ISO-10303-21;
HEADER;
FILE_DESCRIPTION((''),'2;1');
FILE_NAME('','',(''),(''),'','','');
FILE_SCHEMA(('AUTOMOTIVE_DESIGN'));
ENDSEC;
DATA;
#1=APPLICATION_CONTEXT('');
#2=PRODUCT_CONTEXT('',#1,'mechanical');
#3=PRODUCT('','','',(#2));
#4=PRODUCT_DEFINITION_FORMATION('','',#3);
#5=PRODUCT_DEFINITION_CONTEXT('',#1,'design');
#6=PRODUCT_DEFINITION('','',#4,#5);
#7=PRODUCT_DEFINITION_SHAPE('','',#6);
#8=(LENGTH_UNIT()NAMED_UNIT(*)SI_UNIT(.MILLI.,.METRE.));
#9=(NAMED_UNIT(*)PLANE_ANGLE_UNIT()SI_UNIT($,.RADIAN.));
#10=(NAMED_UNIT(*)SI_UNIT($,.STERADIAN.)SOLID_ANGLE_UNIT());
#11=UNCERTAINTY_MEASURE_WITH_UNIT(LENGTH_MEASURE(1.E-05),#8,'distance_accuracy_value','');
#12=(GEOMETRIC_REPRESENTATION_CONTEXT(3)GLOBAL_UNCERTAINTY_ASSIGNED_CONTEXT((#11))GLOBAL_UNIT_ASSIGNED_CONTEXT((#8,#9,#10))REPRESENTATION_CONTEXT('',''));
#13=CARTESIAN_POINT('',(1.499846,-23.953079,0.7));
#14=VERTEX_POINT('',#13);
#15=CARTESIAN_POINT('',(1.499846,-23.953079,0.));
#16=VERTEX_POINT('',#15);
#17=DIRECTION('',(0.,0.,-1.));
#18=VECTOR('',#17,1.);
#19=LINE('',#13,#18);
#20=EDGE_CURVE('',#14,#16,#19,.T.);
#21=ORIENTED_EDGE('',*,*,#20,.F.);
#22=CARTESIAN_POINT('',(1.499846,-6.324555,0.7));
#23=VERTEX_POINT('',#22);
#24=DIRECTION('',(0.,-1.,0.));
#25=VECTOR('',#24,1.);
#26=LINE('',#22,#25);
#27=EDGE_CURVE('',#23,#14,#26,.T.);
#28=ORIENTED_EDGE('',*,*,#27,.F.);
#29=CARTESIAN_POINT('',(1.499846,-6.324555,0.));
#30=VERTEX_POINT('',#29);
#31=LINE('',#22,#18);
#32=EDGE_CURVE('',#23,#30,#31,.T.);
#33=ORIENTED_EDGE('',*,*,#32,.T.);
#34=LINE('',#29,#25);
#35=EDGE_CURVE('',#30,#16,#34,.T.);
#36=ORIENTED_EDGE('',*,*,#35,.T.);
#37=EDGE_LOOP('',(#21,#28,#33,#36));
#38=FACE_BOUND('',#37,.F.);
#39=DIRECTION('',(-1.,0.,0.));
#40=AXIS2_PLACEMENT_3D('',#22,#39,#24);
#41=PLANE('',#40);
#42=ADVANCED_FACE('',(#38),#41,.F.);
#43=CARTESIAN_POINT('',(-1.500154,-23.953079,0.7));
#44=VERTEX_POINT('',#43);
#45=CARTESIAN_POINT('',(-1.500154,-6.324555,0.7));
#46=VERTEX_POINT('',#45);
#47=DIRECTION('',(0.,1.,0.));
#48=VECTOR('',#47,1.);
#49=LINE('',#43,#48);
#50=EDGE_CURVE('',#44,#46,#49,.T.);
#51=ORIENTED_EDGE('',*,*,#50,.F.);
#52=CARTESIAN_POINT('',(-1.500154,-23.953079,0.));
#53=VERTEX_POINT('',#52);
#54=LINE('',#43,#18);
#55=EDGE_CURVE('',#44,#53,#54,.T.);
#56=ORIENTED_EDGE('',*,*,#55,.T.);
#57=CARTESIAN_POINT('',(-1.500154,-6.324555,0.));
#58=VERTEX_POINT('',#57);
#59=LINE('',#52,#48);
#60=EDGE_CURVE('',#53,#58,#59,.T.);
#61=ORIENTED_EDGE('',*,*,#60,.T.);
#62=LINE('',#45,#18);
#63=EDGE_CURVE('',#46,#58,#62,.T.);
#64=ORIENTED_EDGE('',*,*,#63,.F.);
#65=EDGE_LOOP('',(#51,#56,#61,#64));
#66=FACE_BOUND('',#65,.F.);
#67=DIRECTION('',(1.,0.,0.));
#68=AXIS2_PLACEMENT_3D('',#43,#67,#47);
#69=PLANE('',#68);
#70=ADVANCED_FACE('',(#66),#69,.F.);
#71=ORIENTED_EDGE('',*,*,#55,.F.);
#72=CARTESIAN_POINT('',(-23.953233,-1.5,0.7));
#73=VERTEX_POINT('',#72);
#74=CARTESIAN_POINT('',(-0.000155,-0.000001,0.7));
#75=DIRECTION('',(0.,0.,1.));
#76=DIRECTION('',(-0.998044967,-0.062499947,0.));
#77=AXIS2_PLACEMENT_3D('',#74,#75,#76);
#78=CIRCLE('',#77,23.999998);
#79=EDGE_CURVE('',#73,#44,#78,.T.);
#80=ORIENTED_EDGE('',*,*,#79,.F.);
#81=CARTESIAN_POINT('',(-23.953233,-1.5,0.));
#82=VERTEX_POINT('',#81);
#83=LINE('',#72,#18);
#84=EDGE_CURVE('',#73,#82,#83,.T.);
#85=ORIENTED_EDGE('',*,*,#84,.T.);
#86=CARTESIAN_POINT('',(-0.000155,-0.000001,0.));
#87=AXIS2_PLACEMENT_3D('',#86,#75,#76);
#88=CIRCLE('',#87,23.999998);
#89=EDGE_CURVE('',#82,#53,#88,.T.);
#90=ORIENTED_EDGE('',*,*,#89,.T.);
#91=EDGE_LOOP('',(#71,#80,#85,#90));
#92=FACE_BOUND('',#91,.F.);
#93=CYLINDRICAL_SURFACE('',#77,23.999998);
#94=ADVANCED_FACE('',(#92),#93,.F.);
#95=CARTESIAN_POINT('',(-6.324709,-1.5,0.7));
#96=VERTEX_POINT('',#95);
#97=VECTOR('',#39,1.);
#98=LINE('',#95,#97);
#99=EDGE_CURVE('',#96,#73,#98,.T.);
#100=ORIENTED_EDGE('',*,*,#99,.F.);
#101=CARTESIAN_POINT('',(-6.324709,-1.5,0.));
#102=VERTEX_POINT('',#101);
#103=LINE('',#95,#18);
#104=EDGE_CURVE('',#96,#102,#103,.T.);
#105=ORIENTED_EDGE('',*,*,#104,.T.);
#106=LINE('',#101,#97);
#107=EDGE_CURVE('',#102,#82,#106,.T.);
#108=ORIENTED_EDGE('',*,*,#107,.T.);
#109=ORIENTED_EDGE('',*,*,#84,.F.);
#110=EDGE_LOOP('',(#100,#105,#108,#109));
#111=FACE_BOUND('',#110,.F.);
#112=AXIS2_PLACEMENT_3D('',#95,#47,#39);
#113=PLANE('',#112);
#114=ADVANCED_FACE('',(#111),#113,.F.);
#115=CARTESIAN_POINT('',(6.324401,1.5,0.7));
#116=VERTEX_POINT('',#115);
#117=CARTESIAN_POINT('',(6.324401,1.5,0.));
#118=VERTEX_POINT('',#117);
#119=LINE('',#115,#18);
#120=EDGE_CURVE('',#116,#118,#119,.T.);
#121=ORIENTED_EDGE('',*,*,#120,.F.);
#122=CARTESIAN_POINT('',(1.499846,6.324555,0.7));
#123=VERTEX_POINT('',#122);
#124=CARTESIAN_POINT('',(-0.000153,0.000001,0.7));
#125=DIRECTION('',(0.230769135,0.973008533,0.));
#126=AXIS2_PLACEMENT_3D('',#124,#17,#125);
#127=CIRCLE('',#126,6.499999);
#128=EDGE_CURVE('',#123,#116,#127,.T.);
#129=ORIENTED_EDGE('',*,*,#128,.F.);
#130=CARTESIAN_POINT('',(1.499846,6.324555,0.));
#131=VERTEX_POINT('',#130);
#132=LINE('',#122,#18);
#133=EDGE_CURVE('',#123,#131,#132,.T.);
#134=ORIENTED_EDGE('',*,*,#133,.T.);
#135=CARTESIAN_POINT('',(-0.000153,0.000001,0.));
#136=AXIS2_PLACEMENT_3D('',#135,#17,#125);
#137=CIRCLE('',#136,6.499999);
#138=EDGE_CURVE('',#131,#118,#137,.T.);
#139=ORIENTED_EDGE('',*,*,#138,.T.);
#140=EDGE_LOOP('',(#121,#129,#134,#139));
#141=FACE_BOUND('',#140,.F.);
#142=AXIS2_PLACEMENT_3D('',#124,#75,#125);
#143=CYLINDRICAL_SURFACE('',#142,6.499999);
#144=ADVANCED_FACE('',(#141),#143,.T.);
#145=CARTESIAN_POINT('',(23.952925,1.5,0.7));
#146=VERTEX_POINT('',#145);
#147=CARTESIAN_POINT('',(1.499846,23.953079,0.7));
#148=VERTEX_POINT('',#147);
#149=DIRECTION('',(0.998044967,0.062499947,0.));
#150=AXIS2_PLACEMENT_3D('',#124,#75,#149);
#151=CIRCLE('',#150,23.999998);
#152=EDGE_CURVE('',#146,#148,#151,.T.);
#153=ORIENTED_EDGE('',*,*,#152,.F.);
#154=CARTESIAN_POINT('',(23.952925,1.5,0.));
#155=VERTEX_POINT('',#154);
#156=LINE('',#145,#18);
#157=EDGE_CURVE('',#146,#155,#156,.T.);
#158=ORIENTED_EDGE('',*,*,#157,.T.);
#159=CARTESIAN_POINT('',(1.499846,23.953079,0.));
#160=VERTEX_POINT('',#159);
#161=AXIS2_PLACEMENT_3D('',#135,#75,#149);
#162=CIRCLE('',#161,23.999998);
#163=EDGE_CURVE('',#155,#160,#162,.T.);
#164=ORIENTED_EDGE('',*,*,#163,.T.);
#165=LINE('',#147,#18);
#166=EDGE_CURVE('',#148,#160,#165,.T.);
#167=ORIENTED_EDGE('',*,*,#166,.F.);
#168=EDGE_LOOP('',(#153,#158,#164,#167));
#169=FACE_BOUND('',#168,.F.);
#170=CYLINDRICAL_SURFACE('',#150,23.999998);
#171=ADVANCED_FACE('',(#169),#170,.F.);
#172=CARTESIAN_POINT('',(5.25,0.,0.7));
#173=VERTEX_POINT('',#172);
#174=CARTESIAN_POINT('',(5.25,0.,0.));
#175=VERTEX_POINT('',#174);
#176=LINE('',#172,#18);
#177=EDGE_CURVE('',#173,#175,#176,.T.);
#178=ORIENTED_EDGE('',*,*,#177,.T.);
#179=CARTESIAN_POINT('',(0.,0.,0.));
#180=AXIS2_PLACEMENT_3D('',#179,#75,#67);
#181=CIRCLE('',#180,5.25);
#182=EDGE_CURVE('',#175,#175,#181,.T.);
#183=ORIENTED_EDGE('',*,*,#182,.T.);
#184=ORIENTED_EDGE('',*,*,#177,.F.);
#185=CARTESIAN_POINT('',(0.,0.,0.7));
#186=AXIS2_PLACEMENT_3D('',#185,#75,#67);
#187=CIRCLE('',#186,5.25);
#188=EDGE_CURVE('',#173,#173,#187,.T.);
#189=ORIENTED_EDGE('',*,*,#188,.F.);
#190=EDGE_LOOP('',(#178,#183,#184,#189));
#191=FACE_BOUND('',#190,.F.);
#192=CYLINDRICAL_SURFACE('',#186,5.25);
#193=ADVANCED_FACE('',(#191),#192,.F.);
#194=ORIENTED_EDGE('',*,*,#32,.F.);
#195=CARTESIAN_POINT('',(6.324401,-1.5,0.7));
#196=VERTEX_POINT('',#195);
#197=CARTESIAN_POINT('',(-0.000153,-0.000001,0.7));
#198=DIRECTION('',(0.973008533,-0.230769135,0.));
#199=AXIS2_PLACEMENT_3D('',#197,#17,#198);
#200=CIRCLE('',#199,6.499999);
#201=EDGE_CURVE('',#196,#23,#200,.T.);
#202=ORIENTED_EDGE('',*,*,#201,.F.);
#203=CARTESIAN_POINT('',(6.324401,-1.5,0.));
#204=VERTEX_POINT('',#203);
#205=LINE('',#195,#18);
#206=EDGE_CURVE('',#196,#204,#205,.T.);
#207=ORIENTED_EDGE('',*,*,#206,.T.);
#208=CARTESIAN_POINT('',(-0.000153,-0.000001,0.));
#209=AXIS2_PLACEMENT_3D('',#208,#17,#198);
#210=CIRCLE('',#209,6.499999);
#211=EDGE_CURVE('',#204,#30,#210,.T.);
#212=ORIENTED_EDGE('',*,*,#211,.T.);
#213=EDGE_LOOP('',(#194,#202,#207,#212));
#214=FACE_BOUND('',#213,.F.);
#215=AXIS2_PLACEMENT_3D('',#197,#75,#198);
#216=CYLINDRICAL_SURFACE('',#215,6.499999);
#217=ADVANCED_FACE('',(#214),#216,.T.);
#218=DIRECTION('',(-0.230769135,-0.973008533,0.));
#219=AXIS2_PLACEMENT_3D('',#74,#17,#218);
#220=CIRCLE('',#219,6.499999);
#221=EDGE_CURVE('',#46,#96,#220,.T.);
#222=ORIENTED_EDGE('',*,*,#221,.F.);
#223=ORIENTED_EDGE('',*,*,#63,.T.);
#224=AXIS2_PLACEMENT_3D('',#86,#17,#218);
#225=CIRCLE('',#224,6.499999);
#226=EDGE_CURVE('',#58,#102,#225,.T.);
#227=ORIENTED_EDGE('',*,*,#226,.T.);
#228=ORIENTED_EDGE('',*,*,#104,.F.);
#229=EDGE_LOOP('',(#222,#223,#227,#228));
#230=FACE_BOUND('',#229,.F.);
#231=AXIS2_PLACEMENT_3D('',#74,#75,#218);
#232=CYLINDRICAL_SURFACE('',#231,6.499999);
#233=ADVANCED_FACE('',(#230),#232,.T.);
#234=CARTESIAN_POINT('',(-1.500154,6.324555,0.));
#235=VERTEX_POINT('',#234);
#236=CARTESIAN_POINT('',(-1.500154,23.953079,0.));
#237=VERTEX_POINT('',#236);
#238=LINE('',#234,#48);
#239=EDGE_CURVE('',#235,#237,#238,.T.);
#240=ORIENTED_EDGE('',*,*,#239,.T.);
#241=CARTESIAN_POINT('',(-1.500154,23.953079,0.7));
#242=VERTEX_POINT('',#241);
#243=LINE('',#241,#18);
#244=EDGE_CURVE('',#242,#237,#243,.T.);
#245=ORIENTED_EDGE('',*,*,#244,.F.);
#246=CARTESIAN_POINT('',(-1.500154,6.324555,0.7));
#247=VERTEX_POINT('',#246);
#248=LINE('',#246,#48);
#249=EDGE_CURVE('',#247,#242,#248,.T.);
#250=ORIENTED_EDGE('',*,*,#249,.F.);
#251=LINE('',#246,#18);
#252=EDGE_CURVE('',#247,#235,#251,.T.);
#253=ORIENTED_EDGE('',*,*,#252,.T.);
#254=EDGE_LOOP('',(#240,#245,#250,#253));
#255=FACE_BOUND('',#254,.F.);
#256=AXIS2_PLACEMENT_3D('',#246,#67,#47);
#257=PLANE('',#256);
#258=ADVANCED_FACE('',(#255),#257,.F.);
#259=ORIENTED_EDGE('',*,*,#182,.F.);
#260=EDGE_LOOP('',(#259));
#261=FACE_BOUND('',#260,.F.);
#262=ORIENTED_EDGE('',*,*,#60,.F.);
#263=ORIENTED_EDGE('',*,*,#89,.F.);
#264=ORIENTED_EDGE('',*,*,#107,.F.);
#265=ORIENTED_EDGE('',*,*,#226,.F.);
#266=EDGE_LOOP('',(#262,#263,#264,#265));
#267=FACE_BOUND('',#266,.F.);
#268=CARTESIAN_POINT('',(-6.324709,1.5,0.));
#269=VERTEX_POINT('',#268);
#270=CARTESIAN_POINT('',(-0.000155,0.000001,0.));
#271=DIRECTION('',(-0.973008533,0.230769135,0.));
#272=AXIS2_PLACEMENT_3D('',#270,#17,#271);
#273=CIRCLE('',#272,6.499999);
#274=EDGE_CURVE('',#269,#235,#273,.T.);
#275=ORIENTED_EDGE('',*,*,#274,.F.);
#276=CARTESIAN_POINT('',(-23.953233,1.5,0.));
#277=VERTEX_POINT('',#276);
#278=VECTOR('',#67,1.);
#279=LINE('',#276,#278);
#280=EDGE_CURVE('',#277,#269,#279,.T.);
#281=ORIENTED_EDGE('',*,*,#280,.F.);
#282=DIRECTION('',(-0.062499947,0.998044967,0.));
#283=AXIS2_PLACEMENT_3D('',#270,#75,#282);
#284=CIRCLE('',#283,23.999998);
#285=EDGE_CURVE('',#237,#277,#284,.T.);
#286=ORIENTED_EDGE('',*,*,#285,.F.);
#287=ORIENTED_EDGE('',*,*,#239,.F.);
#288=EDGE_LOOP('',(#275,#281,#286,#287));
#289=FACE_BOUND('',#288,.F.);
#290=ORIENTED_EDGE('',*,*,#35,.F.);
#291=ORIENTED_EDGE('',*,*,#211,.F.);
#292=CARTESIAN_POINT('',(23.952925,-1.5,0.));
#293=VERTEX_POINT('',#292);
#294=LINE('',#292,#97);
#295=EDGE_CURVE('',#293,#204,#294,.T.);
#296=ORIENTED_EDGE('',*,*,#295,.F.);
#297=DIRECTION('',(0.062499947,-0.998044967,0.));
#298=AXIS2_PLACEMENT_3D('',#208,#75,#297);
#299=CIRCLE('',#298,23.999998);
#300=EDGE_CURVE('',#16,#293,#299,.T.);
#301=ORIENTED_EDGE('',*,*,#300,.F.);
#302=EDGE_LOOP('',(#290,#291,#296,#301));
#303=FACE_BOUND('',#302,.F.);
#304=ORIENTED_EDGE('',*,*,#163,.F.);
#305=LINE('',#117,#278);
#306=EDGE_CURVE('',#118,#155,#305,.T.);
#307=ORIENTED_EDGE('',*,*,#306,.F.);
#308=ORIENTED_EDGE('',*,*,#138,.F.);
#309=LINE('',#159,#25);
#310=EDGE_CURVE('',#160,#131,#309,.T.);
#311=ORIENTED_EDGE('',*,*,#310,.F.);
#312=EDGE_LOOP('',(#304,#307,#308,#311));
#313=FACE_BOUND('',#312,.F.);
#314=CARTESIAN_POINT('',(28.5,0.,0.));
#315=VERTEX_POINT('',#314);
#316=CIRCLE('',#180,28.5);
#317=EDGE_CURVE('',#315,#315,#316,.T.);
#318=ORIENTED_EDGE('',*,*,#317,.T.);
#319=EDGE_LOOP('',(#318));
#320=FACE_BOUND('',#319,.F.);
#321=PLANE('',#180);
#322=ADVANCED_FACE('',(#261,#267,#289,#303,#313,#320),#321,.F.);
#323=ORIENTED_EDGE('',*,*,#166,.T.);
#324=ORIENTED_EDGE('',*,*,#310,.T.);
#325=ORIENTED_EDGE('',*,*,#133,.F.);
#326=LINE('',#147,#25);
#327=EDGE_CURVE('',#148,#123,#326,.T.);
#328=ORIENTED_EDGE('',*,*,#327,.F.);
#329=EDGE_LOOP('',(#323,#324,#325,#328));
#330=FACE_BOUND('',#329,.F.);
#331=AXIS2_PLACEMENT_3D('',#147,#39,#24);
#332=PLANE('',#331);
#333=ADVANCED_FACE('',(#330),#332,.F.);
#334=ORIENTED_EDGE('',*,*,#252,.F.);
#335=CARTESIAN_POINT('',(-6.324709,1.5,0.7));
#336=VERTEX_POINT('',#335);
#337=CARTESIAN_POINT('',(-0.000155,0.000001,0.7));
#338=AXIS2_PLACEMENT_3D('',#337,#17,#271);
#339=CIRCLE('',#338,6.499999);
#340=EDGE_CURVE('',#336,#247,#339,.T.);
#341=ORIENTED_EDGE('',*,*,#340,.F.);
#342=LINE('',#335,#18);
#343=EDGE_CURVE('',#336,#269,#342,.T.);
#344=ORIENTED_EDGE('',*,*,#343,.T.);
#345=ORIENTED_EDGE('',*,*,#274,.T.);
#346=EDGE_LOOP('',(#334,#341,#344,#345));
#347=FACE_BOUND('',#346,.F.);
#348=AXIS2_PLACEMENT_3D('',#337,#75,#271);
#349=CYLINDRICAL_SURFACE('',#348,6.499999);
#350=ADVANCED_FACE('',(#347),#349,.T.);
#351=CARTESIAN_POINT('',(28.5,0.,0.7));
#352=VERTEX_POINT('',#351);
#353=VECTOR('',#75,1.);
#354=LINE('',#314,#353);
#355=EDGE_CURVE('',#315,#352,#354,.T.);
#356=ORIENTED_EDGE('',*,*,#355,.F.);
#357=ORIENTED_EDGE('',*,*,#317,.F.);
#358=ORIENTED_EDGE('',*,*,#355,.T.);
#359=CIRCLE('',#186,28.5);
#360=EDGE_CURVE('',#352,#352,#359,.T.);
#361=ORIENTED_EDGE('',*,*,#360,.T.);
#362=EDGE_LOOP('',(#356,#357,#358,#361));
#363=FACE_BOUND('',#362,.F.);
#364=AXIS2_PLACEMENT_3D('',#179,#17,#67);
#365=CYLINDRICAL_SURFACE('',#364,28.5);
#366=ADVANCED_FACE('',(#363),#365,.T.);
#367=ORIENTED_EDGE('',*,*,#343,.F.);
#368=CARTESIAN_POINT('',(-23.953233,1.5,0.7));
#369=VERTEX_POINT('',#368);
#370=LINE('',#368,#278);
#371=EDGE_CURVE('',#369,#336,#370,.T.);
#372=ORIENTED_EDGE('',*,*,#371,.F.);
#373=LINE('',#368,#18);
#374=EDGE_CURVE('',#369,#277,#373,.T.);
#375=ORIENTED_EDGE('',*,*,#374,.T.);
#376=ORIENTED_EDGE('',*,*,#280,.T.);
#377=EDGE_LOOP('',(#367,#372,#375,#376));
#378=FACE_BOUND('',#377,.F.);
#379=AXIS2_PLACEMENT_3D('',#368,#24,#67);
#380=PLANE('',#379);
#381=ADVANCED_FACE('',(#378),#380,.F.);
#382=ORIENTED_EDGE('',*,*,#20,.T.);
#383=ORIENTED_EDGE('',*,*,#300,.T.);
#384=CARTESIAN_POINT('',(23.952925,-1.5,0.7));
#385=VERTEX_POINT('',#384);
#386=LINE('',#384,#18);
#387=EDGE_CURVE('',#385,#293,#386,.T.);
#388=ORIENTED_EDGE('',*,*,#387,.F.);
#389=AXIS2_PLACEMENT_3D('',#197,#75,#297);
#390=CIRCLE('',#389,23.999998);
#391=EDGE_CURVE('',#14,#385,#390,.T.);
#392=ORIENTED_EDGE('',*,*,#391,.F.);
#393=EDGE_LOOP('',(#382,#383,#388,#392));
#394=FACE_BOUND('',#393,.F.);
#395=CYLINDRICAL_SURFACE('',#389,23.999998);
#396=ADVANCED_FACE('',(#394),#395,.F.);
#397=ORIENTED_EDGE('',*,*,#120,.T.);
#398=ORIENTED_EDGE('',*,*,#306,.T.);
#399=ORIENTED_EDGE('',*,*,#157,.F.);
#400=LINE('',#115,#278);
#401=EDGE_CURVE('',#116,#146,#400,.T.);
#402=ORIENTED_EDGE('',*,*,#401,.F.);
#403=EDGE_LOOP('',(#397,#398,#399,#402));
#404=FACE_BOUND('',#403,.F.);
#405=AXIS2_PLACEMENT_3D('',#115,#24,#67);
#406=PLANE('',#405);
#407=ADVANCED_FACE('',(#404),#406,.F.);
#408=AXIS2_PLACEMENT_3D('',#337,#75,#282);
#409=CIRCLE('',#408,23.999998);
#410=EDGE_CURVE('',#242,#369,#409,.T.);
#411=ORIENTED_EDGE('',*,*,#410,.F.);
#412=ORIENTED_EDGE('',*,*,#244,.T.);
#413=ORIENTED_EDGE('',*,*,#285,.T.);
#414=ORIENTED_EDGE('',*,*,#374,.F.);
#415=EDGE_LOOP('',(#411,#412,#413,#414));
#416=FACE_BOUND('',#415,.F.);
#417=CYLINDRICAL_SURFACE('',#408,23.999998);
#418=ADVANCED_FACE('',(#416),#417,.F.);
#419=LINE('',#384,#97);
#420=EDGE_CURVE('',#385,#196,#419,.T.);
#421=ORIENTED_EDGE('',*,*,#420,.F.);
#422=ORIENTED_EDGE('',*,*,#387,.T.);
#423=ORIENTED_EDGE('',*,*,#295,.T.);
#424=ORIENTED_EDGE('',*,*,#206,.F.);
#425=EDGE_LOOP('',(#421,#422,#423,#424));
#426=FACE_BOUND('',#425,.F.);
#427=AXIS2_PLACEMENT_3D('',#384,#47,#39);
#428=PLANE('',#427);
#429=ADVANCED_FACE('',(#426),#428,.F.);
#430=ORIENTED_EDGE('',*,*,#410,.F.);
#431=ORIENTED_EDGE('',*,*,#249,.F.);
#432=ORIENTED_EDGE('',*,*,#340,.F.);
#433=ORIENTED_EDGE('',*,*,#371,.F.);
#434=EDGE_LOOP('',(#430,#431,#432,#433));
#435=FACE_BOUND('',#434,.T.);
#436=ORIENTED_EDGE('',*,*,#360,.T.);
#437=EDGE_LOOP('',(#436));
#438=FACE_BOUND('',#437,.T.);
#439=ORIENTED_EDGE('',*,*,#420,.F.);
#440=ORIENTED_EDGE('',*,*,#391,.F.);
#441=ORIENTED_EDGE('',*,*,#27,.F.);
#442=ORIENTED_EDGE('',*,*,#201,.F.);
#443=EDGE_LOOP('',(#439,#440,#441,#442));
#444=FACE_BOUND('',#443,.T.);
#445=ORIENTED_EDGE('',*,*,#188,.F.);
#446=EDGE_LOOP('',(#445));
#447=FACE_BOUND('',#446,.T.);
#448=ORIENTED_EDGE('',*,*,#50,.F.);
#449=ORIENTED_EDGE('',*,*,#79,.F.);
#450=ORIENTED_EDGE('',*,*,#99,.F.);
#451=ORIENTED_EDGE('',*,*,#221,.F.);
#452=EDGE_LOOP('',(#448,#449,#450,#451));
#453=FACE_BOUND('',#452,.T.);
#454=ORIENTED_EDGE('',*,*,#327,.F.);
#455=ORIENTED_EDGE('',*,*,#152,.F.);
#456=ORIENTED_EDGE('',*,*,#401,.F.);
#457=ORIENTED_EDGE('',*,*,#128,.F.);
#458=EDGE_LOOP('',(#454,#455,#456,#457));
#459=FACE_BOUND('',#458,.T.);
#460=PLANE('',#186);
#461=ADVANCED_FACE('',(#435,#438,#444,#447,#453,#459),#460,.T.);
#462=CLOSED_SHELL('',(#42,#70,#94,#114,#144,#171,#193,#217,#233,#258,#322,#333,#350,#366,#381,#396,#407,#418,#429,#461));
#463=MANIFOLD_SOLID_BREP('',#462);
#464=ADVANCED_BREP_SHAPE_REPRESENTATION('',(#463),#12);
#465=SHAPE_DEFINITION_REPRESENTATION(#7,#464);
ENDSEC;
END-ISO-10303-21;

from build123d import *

# Parameters (mm, degrees)
F0_R     = 28.5
F1_DEPTH = 0.7
F2_R     = 5.25
F3_DEPTH = 0.7
F5_DEPTH = 0.7


with BuildPart() as f1:
    # F0 (on Top) → F1 (new body)
    with BuildSketch(Plane.XY):
        Circle(F0_R)
    extrude(amount=F1_DEPTH)

    # F2 (on face) → F3 (cut, through all)
    with BuildSketch(Plane.XY.offset(0.7)):
        Circle(F2_R)
    extrude(amount=-F3_DEPTH, mode=Mode.SUBTRACT)

    # F4 (on face) → F5 (cut, through all)
    with BuildSketch(Plane.XY.offset(0.7)):
        with BuildLine():
            Line((-1.500154, 6.324555), (-1.500154, 23.953079))
            ThreePointArc((-1.500154, 23.953079), (-16.970717, 16.970563), (-23.953233, 1.5))
            Line((-23.953233, 1.5), (-6.324709, 1.5))
            ThreePointArc((-6.324709, 1.5), (-4.596348, 4.596194), (-1.500154, 6.324555))
        make_face()
        with BuildLine():
            Line((6.324401, 1.5), (23.952925, 1.5))
            ThreePointArc((23.952925, 1.5), (16.970409, 16.970563), (1.499846, 23.953079))
            Line((1.499846, 23.953079), (1.499846, 6.324555))
            ThreePointArc((1.499846, 6.324555), (4.59604, 4.596194), (6.324401, 1.5))
        make_face()
        with BuildLine():
            ThreePointArc((1.499846, -23.953079), (16.970409, -16.970563), (23.952925, -1.5))
            Line((23.952925, -1.5), (6.324401, -1.5))
            ThreePointArc((6.324401, -1.5), (4.59604, -4.596194), (1.499846, -6.324555))
            Line((1.499846, -6.324555), (1.499846, -23.953079))
        make_face()
        with BuildLine():
            ThreePointArc((-23.953233, -1.5), (-16.970717, -16.970563), (-1.500154, -23.953079))
            Line((-1.500154, -23.953079), (-1.500154, -6.324555))
            ThreePointArc((-1.500154, -6.324555), (-4.596348, -4.596194), (-6.324709, -1.5))
            Line((-6.324709, -1.5), (-23.953233, -1.5))
        make_face()
    extrude(amount=-F5_DEPTH, mode=Mode.SUBTRACT)


solid = f1.part
